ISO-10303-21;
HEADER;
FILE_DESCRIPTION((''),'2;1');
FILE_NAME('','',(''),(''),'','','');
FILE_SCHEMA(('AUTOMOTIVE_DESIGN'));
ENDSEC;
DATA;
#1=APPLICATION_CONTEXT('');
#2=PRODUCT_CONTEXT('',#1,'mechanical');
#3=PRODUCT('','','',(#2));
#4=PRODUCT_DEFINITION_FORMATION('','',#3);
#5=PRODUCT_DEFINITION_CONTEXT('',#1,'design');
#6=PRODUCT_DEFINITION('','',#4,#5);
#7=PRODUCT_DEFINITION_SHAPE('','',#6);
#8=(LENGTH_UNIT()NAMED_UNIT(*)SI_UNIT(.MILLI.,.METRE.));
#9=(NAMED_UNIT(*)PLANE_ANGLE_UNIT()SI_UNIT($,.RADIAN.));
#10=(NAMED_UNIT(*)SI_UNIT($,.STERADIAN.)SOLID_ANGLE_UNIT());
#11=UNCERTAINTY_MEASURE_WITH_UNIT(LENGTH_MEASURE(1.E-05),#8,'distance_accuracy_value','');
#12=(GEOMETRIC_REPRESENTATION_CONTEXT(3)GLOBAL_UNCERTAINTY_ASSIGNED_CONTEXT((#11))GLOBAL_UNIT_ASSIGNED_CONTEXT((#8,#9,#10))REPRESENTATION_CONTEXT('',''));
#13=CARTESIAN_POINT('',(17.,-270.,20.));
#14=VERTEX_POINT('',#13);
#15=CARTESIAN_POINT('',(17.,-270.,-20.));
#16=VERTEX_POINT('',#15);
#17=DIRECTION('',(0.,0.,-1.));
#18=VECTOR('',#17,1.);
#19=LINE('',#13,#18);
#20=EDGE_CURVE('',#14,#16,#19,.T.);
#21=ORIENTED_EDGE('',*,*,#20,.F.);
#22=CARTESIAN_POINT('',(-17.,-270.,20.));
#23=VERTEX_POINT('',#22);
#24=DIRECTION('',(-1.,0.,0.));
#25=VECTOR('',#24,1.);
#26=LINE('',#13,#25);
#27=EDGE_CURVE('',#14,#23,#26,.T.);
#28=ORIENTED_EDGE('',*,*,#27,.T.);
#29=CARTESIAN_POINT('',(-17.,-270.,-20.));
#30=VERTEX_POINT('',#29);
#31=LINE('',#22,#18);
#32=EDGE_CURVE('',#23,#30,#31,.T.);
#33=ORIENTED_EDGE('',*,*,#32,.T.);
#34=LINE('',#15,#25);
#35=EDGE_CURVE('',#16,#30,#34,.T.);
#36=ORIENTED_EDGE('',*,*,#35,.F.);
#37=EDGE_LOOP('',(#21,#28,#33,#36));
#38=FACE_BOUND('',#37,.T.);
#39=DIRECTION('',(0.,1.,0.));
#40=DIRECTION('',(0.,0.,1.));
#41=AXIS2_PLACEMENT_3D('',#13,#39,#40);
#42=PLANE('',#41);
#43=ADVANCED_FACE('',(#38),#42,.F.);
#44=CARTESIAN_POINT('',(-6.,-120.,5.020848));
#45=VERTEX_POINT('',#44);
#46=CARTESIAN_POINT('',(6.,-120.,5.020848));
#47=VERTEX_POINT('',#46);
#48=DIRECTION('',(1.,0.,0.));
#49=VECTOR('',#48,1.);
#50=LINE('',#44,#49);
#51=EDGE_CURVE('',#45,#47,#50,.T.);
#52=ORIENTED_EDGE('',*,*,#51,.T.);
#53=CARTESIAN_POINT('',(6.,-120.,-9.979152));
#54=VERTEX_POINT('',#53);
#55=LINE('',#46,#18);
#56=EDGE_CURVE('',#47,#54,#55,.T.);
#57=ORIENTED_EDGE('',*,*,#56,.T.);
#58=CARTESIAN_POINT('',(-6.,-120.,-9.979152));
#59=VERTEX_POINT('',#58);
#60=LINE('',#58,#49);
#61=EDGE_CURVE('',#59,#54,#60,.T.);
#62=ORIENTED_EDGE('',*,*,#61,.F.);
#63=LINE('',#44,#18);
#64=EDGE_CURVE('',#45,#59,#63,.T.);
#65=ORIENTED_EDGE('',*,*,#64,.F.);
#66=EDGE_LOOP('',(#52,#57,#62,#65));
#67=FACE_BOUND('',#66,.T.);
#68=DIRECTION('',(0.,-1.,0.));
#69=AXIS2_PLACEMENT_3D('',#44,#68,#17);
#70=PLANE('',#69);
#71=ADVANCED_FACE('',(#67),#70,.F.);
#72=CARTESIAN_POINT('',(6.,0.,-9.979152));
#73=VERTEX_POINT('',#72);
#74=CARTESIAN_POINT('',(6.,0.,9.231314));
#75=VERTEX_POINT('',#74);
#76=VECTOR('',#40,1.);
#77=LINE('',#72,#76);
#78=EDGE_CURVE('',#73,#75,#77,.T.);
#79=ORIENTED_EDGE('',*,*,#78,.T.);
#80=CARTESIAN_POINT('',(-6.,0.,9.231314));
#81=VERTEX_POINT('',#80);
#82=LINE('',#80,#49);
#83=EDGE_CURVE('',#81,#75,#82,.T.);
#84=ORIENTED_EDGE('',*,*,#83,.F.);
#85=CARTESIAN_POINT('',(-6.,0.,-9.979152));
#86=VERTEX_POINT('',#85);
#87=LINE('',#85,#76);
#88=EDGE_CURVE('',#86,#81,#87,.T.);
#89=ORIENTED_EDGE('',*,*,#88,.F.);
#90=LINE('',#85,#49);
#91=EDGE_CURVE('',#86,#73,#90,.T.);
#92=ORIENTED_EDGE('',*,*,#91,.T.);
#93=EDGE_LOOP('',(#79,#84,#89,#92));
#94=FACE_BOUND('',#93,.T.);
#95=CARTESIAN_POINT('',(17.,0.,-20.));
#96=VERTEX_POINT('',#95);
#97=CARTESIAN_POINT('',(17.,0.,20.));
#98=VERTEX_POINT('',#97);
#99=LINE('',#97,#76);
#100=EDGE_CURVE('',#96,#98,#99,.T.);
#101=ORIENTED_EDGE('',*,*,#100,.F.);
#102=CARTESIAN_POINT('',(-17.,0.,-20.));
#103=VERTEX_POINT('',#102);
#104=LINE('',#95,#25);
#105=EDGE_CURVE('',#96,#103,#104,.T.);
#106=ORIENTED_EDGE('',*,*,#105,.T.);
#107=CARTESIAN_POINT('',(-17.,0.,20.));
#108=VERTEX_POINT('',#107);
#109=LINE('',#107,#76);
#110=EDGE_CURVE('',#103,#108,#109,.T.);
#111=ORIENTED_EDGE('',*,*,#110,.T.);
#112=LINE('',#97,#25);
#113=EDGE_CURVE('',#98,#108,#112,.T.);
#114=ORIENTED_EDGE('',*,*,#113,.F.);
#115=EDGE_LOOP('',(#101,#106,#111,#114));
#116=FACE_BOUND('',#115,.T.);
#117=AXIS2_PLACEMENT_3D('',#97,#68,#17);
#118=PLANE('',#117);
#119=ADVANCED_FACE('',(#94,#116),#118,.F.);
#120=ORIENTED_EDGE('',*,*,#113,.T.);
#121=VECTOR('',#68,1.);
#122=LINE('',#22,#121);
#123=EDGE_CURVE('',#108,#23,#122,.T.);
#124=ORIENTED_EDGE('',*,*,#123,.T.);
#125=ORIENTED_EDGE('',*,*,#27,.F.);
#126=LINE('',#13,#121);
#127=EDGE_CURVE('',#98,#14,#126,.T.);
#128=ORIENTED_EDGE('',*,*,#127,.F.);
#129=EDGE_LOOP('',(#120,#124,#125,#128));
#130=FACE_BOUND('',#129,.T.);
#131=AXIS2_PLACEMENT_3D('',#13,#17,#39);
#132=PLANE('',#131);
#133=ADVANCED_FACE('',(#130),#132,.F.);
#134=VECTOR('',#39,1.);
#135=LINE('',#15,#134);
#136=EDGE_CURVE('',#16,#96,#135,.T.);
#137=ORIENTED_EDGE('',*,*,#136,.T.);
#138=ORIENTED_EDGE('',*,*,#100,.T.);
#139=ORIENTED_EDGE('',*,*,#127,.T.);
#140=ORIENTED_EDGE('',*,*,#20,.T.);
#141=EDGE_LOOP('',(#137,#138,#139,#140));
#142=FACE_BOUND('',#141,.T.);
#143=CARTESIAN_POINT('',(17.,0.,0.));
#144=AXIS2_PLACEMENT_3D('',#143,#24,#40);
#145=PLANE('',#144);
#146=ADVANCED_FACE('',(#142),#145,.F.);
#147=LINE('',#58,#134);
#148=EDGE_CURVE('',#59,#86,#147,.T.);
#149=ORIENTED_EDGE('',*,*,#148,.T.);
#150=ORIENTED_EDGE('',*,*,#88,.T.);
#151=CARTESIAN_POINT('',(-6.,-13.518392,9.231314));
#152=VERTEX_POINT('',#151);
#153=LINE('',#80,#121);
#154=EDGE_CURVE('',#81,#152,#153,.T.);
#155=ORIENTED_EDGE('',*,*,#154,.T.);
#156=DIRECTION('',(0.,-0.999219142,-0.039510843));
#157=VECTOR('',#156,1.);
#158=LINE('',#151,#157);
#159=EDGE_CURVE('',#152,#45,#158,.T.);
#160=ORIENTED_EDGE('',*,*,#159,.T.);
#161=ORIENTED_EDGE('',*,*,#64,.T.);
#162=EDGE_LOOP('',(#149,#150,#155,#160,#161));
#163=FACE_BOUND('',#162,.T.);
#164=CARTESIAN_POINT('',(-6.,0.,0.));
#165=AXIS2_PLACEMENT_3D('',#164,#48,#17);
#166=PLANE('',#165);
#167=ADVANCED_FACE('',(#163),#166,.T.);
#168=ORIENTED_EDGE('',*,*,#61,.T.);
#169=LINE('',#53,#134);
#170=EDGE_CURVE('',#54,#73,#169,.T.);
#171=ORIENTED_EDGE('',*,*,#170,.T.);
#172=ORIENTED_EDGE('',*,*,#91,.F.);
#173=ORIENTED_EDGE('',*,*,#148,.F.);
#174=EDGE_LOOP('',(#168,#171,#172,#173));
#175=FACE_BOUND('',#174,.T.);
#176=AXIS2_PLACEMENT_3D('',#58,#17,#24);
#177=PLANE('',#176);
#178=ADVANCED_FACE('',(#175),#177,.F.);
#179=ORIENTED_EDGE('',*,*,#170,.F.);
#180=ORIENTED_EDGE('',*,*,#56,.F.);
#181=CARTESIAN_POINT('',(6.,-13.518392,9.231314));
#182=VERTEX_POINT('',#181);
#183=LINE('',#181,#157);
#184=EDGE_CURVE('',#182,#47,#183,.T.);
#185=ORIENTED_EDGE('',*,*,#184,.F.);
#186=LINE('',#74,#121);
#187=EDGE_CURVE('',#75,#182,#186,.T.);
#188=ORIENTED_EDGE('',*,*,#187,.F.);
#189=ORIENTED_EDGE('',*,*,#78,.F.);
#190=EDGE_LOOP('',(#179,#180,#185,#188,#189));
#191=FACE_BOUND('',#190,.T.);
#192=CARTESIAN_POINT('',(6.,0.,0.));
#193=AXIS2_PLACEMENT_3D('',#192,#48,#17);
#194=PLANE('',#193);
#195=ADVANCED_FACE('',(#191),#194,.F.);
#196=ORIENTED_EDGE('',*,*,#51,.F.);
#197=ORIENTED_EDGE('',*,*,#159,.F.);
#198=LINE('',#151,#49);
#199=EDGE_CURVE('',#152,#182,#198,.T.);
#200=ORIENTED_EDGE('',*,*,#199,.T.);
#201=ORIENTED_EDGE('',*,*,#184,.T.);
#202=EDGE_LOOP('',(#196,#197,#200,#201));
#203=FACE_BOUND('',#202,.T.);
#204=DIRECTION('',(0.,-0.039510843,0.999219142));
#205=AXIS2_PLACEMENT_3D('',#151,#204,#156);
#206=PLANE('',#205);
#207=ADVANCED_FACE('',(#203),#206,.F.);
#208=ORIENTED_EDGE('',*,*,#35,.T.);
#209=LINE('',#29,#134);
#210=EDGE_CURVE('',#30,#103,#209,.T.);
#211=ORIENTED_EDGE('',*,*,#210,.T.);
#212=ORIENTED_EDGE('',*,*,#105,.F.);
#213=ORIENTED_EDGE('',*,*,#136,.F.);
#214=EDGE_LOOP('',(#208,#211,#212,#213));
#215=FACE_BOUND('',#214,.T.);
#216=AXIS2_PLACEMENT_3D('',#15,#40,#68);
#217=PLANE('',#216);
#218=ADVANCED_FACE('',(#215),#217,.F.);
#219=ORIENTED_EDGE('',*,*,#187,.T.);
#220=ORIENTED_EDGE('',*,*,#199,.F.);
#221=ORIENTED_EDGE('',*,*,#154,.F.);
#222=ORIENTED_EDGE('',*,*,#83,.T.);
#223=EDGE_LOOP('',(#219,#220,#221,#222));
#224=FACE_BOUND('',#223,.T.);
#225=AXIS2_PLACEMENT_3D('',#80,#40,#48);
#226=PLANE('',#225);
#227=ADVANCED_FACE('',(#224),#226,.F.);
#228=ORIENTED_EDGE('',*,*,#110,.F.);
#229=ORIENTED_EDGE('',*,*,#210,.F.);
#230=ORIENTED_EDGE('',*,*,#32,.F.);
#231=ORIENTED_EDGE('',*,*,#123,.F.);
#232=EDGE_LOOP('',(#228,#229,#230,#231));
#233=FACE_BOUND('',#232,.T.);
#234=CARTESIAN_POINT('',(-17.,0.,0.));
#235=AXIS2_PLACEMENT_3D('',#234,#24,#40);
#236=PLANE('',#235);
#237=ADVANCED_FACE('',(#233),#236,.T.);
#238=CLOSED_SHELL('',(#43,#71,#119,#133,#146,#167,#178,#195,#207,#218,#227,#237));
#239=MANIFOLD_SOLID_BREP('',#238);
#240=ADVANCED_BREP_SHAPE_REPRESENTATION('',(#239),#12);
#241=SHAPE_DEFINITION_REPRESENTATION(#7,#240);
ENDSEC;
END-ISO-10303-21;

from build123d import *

# Parameters (mm, degrees)
SKETCH_1_W          = 40
SKETCH_1_H          = 270
EXTRUDE_1_DEPTH     = 17
CUT_EXTRUDE_1_DEPTH = 6


with BuildPart() as part:
    # 스케치1 → 보스-돌출1 (new, symmetric)
    with BuildSketch(Plane(origin=(0, 0, 0), x_dir=(0, 0, -1), z_dir=(1, 0, 0))):
        with Locations((0, -135)):
            Rectangle(SKETCH_1_W, SKETCH_1_H)
    extrude(amount=EXTRUDE_1_DEPTH, both=True)

    # 스케치2 → 컷-돌출1 (cut, symmetric)
    with BuildSketch(Plane(origin=(0, 0, 0), x_dir=(0, 0, -1), z_dir=(1, 0, 0))):
        Polygon((-9.231313733, 0), (-9.231313733, -13.51839175), (-5.020847881, -120), (9.979152119, -120), (9.979152119, 0), align=None)
    extrude(amount=CUT_EXTRUDE_1_DEPTH, both=True, mode=Mode.SUBTRACT)


solid = part.part
